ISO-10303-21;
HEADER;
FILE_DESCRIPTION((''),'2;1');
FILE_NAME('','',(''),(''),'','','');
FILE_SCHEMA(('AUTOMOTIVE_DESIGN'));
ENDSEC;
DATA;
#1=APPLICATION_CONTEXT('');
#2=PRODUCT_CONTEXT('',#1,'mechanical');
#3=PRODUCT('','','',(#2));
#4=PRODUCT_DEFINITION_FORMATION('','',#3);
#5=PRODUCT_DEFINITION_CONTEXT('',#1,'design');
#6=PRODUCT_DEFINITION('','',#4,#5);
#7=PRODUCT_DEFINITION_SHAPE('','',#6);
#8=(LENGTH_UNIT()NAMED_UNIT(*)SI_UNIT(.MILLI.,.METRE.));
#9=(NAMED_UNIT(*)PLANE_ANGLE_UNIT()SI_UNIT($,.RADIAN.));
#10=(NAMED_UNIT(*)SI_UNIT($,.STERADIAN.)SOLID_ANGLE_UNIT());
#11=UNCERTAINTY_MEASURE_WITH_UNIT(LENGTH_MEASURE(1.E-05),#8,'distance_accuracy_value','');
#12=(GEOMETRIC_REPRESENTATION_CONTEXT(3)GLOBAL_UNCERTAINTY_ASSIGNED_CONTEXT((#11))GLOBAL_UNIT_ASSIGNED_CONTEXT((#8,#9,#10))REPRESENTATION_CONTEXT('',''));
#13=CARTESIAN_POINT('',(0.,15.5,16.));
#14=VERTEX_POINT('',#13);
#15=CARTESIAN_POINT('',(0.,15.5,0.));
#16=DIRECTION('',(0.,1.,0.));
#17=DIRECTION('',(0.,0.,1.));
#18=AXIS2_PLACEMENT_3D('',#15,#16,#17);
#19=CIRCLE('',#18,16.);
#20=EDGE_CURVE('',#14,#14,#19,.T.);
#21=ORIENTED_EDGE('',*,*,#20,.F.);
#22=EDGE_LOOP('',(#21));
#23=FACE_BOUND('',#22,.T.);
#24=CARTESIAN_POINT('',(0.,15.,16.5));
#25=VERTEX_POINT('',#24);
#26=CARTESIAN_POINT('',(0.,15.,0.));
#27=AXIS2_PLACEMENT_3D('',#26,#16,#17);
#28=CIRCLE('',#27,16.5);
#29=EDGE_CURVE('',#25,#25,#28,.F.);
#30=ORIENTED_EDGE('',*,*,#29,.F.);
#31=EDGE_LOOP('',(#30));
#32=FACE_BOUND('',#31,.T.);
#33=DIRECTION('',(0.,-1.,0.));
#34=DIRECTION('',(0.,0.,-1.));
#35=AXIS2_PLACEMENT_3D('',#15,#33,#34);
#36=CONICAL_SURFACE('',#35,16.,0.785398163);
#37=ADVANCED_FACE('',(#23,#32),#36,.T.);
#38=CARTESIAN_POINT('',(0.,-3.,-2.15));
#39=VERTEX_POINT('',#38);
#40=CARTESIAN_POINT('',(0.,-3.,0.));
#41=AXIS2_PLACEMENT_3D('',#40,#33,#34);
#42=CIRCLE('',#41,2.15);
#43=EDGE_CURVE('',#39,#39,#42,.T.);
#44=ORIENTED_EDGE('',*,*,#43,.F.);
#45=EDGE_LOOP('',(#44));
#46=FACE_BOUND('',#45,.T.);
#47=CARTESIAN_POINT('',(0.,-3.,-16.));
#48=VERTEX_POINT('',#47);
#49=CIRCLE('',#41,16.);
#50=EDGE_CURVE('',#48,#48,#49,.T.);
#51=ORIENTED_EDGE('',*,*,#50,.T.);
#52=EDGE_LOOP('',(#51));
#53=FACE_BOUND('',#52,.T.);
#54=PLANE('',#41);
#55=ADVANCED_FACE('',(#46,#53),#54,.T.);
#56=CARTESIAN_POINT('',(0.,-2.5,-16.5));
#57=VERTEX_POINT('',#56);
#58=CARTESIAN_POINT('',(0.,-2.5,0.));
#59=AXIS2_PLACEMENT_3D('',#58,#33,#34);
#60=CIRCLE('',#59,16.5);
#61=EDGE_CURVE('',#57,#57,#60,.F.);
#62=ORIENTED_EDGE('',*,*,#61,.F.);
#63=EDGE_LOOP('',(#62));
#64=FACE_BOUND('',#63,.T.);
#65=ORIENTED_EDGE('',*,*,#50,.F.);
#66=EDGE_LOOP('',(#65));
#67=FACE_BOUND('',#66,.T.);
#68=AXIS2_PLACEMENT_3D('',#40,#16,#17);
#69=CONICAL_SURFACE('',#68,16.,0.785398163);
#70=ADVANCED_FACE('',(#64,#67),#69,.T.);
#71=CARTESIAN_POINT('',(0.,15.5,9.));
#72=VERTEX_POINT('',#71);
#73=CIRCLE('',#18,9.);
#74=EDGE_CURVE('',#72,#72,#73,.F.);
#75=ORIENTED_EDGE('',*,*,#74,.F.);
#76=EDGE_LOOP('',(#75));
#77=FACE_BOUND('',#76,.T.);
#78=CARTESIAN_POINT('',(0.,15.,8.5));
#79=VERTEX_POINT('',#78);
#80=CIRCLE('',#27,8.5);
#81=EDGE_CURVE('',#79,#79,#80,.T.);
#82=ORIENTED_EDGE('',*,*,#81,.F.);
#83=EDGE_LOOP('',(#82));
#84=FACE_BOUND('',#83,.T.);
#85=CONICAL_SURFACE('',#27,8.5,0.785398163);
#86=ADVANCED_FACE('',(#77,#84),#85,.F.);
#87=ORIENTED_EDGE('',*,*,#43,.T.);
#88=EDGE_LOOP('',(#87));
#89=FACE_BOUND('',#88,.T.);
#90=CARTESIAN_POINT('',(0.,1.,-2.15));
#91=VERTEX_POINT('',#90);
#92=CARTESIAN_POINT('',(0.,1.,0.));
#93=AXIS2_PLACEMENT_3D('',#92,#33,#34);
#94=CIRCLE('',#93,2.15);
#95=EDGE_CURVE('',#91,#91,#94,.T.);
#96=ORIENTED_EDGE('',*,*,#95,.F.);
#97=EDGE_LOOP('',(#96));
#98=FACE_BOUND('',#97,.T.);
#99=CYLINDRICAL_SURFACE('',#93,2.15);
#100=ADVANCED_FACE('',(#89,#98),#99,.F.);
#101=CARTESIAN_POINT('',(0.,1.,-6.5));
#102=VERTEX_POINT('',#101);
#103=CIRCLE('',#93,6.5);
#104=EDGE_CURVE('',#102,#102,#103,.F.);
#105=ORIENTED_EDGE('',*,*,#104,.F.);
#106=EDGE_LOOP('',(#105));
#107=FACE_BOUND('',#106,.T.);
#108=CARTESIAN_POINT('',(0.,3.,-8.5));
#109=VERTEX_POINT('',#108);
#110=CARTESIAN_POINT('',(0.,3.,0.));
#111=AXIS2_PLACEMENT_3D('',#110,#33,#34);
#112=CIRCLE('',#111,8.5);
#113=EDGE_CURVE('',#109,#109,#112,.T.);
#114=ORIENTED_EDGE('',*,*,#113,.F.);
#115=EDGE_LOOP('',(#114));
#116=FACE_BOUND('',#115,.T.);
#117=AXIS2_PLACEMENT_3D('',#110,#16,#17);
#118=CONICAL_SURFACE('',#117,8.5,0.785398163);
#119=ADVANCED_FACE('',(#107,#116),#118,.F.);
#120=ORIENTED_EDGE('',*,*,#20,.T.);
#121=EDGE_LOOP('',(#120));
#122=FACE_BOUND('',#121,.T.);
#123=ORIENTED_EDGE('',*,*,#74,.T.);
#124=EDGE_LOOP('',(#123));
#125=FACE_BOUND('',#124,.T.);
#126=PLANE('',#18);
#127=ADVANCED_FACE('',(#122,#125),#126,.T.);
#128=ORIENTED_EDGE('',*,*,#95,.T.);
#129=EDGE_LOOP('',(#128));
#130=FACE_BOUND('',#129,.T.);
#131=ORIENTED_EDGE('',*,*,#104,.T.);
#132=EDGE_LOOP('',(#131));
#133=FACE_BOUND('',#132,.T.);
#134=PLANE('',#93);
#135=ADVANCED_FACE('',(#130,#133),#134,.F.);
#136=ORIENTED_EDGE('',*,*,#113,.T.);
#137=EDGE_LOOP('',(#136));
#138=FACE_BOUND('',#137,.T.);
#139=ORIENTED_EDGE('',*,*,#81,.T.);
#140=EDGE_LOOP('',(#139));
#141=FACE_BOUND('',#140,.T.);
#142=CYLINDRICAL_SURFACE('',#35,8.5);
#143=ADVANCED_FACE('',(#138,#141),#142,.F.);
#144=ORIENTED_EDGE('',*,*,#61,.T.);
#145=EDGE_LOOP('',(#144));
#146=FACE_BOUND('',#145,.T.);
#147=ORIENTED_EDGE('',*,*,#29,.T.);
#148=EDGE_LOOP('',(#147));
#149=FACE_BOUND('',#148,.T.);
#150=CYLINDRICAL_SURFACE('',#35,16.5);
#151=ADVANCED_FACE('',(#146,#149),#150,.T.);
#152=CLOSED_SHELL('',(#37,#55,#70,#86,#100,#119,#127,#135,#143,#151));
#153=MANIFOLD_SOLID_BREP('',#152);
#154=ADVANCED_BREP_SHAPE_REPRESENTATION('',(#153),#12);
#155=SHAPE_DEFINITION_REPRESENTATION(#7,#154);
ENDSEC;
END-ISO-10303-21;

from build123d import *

# Parameters (mm, degrees)
SKETCH1_R                = 16.5
SKETCH1_R_2              = 8.5
BOSS_EXTRUDE1_DEPTH      = 15.5
SKETCH2_R                = 16.5
SKETCH2_R_2              = 2.15
BOSS_EXTRUDE2_DEPTH      = 3
BOSS_EXTRUDE2_DEPTH_BACK = 1
CHAMFER2_SIZE            = 0.5
CHAMFER3_SIZE            = 2


with BuildPart() as part:
    # Sketch1 → Boss-Extrude1 (new body)
    with BuildSketch(Plane(origin=(0, 0, 0), x_dir=(1, 0, 0), z_dir=(0, 1, 0))):
        Circle(SKETCH1_R)
        Circle(SKETCH1_R_2, mode=Mode.SUBTRACT)
    extrude(amount=BOSS_EXTRUDE1_DEPTH)

    # Sketch2 → Boss-Extrude2 (add, two sides)
    with BuildSketch(Plane.XZ) as boss_extrude2_sk:
        Circle(SKETCH2_R)
        Circle(SKETCH2_R_2, mode=Mode.SUBTRACT)
    extrude(amount=BOSS_EXTRUDE2_DEPTH)
    extrude(boss_extrude2_sk.sketch, amount=-BOSS_EXTRUDE2_DEPTH_BACK)

    # Chamfer2
    chamfer2_edges = [part.edges().sort_by_distance(p)[0] for p in [
        (-16.5, -3, 0),
        (-16.5, 15.5, 0),
        (-8.5, 15.5, 0),
    ]]
    chamfer(chamfer2_edges, length=CHAMFER2_SIZE)

    # Chamfer3
    chamfer3_edges = [part.edges().sort_by_distance(p)[0] for p in [
        (-8.5, 1, 0),
    ]]
    chamfer(chamfer3_edges, length=CHAMFER3_SIZE)


solid = part.part
